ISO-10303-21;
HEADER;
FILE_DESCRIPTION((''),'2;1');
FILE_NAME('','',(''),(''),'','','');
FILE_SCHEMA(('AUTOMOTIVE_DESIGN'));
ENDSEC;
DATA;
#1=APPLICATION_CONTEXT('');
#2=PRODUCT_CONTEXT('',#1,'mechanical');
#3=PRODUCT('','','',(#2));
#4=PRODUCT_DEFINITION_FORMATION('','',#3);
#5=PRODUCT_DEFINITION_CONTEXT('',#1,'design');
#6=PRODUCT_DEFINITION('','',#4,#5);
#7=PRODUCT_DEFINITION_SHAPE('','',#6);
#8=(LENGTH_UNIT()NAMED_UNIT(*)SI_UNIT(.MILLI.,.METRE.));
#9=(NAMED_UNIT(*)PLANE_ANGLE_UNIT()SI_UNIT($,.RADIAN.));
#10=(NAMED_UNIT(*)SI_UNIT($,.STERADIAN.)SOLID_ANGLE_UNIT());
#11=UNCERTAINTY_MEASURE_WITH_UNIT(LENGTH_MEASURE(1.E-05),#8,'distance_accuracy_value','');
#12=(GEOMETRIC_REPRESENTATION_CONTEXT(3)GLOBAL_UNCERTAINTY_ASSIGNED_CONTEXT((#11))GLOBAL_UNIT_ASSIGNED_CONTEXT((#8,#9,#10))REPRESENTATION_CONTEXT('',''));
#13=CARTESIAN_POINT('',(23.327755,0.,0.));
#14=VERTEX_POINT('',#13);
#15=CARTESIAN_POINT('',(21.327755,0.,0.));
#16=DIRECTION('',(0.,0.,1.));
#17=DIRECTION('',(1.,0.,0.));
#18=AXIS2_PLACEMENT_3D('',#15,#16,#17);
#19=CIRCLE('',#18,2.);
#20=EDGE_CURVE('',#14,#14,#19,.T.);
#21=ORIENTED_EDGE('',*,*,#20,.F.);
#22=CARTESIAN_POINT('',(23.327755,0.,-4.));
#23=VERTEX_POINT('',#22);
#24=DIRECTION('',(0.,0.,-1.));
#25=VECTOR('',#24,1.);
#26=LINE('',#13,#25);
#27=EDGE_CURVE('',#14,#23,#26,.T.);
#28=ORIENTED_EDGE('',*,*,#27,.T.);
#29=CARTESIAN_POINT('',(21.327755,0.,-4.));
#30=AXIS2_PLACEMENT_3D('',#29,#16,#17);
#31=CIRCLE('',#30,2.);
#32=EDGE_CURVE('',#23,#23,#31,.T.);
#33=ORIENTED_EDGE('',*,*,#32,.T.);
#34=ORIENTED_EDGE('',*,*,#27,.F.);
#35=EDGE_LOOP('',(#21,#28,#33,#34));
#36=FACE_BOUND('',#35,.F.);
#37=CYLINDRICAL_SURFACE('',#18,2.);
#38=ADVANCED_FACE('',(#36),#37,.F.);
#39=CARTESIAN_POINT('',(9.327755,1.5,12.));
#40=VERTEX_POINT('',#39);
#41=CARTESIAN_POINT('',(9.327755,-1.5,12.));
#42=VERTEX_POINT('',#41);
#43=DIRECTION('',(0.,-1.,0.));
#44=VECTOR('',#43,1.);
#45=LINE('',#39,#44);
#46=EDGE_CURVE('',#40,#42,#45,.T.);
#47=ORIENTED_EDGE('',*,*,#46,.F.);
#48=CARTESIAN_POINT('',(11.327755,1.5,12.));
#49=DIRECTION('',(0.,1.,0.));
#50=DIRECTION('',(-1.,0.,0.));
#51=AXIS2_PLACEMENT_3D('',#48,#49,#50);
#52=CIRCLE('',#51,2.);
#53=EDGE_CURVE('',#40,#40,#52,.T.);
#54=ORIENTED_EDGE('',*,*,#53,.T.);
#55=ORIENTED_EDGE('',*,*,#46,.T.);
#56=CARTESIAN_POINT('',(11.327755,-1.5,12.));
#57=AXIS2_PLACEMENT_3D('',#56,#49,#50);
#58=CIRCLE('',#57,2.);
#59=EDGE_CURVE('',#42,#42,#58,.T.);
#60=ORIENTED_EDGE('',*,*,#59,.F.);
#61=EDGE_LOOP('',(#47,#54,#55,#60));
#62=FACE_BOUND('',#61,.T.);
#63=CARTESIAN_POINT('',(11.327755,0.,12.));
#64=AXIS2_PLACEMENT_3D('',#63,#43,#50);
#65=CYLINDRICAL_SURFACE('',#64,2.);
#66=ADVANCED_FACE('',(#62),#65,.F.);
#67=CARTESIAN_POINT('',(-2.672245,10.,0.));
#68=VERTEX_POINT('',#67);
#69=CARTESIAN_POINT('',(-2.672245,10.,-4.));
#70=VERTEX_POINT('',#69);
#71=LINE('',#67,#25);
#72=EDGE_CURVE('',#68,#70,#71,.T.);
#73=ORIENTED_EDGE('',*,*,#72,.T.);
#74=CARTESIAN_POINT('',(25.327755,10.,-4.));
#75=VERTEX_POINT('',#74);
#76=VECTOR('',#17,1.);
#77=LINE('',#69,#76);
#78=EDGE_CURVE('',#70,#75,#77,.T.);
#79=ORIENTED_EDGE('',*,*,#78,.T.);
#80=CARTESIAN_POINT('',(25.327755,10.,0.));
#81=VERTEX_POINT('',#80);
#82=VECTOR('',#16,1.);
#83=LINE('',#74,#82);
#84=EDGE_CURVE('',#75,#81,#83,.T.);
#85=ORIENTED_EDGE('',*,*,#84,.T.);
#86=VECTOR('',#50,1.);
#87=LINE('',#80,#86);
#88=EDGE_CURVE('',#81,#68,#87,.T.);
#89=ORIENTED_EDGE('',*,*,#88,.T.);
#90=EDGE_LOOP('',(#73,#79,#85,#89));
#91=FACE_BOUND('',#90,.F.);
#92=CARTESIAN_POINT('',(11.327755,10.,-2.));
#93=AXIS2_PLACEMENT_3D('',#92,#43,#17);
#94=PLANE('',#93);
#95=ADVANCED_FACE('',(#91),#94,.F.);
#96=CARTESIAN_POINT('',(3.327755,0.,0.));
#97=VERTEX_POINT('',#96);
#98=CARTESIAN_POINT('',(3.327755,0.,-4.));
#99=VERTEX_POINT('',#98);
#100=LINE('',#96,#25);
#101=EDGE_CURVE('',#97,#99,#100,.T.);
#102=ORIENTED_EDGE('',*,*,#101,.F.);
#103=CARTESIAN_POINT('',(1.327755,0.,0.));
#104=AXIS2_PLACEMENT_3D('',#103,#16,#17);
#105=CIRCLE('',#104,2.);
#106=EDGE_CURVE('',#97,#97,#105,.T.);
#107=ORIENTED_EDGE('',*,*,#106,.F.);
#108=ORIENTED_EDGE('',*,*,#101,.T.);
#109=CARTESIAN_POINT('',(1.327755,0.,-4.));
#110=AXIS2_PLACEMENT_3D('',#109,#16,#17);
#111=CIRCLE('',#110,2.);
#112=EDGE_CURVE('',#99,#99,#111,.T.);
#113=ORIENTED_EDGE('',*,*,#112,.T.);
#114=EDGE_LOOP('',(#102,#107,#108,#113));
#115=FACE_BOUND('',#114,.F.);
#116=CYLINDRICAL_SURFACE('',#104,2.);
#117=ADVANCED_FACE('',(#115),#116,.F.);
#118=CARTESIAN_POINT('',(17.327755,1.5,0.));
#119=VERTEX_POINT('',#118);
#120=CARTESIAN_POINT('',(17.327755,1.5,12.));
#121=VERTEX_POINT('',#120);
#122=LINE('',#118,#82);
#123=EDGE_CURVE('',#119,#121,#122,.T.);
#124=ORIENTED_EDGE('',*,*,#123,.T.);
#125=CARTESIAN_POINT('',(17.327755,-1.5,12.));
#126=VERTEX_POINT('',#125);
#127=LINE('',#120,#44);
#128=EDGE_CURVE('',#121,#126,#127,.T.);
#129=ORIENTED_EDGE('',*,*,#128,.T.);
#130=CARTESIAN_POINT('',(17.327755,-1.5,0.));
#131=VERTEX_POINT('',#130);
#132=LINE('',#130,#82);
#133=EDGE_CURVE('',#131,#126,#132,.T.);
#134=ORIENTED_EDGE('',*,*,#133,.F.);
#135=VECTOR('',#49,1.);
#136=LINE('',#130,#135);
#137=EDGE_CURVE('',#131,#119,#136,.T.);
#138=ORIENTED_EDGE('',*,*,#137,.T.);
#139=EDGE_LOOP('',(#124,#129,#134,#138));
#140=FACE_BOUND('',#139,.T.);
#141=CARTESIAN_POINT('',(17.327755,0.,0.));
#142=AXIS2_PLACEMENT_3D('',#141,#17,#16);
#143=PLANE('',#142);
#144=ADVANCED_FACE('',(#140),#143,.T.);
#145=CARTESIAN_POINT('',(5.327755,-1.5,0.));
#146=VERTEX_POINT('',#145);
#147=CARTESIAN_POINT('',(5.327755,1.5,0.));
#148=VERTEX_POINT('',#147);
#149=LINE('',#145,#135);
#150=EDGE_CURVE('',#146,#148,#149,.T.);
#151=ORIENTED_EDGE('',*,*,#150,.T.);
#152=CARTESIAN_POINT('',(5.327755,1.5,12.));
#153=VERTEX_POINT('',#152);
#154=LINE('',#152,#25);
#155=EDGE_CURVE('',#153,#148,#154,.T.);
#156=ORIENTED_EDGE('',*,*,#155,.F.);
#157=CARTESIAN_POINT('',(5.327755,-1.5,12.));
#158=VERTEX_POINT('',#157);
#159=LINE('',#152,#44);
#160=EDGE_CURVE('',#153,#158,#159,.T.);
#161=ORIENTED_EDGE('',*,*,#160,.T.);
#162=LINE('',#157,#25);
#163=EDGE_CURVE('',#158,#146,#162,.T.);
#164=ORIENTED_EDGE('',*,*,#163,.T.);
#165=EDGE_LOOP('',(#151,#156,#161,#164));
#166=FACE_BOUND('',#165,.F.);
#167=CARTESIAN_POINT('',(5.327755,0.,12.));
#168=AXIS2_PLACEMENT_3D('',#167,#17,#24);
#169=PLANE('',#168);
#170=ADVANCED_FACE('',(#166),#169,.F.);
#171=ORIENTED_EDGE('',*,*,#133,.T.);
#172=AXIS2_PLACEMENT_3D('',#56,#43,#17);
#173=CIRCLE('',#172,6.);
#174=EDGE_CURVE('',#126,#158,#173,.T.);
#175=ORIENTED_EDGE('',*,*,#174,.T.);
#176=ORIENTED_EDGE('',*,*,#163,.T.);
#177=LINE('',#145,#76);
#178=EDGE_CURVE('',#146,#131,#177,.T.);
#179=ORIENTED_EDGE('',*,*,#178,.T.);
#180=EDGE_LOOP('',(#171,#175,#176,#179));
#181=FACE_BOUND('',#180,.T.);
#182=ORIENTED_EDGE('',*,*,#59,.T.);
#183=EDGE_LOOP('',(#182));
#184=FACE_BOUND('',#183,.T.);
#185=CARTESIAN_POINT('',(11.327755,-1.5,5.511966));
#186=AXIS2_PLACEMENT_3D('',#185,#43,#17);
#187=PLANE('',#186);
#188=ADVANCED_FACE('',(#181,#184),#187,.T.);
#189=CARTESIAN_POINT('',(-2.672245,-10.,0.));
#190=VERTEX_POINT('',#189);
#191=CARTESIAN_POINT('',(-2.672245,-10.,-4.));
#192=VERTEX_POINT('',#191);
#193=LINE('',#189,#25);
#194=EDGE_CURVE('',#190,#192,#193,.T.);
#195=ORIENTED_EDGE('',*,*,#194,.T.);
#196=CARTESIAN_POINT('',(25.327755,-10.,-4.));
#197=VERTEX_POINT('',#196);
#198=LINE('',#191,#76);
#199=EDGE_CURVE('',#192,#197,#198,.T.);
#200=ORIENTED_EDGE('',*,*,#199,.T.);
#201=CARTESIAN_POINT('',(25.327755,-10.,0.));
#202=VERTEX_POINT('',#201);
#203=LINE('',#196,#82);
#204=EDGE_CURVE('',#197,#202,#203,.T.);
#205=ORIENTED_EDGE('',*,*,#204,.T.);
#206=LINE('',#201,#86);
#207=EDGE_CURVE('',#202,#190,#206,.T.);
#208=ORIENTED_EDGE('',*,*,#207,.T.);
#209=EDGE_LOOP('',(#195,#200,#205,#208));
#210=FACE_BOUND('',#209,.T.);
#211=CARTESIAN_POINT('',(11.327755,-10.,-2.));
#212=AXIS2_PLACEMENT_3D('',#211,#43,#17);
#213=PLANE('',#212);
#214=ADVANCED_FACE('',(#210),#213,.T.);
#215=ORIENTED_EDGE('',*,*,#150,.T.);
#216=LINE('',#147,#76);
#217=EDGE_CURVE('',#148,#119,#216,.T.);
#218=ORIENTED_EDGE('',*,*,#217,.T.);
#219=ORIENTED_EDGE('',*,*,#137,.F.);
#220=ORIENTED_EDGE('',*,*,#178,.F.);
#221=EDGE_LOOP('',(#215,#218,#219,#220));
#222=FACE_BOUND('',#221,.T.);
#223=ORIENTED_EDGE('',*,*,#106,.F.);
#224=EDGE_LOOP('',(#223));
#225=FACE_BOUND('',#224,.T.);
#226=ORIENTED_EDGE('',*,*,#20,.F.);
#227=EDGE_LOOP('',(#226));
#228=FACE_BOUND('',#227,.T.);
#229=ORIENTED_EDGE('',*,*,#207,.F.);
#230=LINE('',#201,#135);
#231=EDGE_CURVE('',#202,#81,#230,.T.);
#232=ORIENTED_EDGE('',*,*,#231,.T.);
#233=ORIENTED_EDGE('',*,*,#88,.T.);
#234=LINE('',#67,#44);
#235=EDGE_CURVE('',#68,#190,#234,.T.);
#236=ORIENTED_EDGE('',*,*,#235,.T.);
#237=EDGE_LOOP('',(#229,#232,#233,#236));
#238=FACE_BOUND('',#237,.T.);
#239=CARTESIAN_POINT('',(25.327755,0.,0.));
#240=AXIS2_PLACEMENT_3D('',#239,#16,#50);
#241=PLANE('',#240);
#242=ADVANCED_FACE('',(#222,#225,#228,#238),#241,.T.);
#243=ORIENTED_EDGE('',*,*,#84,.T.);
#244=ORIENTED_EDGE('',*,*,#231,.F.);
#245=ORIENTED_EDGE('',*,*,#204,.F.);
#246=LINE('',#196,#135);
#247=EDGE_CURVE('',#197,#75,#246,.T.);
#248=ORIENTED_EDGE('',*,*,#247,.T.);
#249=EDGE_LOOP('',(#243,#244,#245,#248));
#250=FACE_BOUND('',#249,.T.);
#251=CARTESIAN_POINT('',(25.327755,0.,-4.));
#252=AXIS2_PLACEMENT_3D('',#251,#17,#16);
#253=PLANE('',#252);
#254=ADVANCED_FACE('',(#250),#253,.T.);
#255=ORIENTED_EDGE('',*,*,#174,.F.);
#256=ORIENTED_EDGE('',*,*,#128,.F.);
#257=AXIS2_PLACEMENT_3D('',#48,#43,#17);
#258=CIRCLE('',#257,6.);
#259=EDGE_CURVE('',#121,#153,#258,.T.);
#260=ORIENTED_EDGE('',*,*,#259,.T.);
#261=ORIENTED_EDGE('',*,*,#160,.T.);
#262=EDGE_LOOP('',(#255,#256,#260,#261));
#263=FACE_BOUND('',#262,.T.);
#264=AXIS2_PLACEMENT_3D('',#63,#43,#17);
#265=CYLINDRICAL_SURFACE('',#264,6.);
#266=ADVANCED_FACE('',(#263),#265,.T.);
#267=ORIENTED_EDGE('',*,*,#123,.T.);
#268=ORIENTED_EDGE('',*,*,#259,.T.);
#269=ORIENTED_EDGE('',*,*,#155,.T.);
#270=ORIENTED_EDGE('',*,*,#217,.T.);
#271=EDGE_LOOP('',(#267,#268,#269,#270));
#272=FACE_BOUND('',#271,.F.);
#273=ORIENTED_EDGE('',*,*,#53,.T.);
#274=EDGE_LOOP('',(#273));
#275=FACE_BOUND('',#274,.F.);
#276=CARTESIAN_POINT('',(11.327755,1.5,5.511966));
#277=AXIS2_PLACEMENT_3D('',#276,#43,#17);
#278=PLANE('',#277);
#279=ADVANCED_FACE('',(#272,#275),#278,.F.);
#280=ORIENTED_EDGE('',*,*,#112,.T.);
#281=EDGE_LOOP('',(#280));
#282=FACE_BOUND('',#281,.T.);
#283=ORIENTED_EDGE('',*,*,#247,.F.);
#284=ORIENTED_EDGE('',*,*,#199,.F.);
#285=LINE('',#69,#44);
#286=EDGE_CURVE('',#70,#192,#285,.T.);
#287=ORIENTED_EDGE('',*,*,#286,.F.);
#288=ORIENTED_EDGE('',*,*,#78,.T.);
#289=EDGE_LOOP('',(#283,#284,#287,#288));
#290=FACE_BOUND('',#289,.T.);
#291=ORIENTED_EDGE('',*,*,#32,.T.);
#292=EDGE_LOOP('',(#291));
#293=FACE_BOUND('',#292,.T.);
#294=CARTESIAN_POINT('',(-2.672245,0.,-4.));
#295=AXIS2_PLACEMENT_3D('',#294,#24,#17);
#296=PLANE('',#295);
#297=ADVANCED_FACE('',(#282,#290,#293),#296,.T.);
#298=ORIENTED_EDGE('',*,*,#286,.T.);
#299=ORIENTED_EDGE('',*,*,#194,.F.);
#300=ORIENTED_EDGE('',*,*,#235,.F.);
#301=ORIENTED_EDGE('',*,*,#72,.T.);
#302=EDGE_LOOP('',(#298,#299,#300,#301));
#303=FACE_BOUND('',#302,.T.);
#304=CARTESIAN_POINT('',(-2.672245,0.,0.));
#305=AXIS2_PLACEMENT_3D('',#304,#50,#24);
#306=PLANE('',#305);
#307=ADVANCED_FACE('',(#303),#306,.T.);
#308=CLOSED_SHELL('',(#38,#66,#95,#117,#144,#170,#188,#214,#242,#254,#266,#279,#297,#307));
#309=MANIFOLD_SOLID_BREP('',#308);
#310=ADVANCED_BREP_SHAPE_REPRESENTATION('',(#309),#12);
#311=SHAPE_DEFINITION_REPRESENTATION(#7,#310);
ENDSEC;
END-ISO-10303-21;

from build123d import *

# Parameters (mm, degrees)
F1_DEPTH      = 10
F1_DEPTH_BACK = 10
F2_DEPTH      = 1.5
F2_DEPTH_BACK = 1.5
F3_R          = 2
F4_DEPTH      = 5
F4_DEPTH_BACK = 5


with BuildPart() as f1:
    # F0 (on Front) → F1 (new body, two sides)
    with BuildSketch(Plane.XZ) as f1_sk:
        Polygon((25.327755, 0), (17.327755, 0), (5.327755, 0), (-2.672245, 0), (-2.672245, -4), (25.327755, -4), align=None)
    extrude(amount=F1_DEPTH)
    extrude(f1_sk.sketch, amount=-F1_DEPTH_BACK)

    # F0 (on Front) → F2 (join, two sides)
    with BuildSketch(Plane.XZ) as f2_sk:
        with BuildLine():
            Line((5.327755, 0), (17.327755, 0))
            Line((17.327755, 0), (17.327755, 12))
            ThreePointArc((17.327755, 12), (11.327755, 6), (5.327755, 12))
            Line((5.327755, 12), (5.327755, 0))
        make_face()
        with BuildLine():
            ThreePointArc((5.327755, 12), (11.327755, 6), (17.327755, 12))
            Line((17.327755, 12), (13.327755, 12))
            ThreePointArc((13.327755, 12), (11.327755, 10), (9.327755, 12))
            Line((9.327755, 12), (5.327755, 12))
        make_face()
        with BuildLine():
            Line((13.327755, 12), (17.327755, 12))
            ThreePointArc((17.327755, 12), (11.327755, 18), (5.327755, 12))
            Line((5.327755, 12), (9.327755, 12))
            ThreePointArc((9.327755, 12), (11.327755, 14), (13.327755, 12))
        make_face()
    extrude(amount=F2_DEPTH)
    extrude(f2_sk.sketch, amount=-F2_DEPTH_BACK)

    # F3 (on face) → F4 (cut, two sides)
    with BuildSketch(Plane.XY) as f4_sk:
        with Locations((1.327755, 0)):
            Circle(F3_R)
        with Locations((21.327755, 0)):
            Circle(F3_R)
    extrude(amount=-F4_DEPTH, mode=Mode.SUBTRACT)
    extrude(f4_sk.sketch, amount=-F4_DEPTH_BACK, mode=Mode.SUBTRACT)


solid = f1.part
